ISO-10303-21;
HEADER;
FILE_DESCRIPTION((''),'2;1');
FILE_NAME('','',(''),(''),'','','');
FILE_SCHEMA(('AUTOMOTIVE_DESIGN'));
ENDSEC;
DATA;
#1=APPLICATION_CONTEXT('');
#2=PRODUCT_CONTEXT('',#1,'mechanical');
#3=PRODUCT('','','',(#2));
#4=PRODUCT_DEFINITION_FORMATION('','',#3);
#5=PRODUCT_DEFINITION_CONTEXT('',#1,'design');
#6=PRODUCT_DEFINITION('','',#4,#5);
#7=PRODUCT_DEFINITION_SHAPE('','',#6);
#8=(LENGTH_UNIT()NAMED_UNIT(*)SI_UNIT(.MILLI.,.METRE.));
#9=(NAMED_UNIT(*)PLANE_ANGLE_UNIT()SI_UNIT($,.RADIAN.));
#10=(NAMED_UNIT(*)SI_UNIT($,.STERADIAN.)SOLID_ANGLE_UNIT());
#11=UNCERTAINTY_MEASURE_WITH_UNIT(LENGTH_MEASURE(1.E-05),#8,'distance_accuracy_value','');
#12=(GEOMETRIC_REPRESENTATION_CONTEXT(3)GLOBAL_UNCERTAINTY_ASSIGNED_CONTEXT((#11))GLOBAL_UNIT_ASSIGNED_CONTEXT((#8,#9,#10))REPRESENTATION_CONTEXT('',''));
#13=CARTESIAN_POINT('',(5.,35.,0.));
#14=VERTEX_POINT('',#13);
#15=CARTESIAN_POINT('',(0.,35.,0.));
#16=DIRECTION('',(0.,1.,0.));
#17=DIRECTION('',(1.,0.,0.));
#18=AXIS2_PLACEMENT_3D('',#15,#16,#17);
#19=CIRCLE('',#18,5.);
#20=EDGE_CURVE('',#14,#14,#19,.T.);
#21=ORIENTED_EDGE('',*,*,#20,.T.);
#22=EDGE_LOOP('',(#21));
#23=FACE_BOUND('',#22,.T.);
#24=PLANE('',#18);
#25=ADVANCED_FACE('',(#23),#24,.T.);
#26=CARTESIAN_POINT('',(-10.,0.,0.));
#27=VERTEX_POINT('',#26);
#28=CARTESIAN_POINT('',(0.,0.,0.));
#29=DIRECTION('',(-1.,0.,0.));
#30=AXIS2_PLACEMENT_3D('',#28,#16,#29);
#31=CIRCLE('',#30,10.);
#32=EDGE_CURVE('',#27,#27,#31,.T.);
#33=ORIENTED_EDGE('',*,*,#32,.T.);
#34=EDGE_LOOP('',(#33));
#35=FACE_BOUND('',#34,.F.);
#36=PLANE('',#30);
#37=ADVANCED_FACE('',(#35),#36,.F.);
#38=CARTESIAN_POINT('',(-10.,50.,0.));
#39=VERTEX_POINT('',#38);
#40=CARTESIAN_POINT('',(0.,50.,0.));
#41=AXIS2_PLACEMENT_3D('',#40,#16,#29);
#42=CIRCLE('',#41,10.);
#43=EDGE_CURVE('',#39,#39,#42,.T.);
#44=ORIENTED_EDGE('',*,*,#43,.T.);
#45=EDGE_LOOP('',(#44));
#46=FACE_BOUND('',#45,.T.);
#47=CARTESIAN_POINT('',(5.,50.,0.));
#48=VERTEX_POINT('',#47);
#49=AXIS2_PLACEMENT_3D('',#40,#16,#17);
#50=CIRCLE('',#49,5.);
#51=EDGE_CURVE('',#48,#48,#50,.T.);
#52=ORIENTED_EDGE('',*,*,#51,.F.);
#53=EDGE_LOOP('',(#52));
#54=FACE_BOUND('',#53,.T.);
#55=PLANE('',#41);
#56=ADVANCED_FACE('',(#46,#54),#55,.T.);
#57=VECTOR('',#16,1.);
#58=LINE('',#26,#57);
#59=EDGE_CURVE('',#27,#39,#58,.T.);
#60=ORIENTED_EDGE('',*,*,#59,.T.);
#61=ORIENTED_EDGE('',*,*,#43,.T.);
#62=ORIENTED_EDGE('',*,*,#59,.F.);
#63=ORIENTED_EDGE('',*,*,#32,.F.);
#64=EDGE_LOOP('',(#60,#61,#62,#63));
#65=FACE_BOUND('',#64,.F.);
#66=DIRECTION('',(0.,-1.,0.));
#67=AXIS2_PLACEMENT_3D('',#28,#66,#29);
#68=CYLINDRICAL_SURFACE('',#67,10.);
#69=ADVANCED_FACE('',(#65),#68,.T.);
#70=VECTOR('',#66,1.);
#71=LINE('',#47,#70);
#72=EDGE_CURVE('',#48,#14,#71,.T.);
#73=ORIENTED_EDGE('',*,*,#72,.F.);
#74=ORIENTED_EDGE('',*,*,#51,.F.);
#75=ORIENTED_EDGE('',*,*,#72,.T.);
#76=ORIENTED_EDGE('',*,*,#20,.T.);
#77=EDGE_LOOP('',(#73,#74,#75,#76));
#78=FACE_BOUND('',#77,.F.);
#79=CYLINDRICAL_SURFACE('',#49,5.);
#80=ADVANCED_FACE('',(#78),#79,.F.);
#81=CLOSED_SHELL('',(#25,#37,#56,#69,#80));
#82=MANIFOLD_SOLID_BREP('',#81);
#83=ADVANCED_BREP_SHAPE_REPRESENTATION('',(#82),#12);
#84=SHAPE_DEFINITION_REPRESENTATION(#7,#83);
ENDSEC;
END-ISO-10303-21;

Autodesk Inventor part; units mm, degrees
ref_plane "YZ Plane" through (0, 0, 0) normal (1, 0, 0) x (0, 1, 0)
ref_plane "XZ Plane" through (0, 0, 0) normal (0, 1, 0) x (-1, 0, 0)
ref_plane "XY Plane" through (0, 0, 0) normal (0, 0, 1) x (1, 0, 0)
sketch "Sketch1" plane through (0, 0, 0) normal (0, 1, 0) x (-1, 0, 0)
  circle A0 centre (0, 0) radius 10
  dimension "d0" = 20
extrude "Extrusion1" add sketch "Sketch1" along normal blind 50
sketch "Sketch2" plane through (0, 50, 0) normal (0, 1, 0) x (1, 0, 0)
  circle A0 centre (0, 0) radius 5
  dimension "d3" = 10
extrude "Extrusion2" cut sketch "Sketch2" against normal blind 15
properties part number "SDA 63 50 Stroke Full" material "Stainless Steel"
